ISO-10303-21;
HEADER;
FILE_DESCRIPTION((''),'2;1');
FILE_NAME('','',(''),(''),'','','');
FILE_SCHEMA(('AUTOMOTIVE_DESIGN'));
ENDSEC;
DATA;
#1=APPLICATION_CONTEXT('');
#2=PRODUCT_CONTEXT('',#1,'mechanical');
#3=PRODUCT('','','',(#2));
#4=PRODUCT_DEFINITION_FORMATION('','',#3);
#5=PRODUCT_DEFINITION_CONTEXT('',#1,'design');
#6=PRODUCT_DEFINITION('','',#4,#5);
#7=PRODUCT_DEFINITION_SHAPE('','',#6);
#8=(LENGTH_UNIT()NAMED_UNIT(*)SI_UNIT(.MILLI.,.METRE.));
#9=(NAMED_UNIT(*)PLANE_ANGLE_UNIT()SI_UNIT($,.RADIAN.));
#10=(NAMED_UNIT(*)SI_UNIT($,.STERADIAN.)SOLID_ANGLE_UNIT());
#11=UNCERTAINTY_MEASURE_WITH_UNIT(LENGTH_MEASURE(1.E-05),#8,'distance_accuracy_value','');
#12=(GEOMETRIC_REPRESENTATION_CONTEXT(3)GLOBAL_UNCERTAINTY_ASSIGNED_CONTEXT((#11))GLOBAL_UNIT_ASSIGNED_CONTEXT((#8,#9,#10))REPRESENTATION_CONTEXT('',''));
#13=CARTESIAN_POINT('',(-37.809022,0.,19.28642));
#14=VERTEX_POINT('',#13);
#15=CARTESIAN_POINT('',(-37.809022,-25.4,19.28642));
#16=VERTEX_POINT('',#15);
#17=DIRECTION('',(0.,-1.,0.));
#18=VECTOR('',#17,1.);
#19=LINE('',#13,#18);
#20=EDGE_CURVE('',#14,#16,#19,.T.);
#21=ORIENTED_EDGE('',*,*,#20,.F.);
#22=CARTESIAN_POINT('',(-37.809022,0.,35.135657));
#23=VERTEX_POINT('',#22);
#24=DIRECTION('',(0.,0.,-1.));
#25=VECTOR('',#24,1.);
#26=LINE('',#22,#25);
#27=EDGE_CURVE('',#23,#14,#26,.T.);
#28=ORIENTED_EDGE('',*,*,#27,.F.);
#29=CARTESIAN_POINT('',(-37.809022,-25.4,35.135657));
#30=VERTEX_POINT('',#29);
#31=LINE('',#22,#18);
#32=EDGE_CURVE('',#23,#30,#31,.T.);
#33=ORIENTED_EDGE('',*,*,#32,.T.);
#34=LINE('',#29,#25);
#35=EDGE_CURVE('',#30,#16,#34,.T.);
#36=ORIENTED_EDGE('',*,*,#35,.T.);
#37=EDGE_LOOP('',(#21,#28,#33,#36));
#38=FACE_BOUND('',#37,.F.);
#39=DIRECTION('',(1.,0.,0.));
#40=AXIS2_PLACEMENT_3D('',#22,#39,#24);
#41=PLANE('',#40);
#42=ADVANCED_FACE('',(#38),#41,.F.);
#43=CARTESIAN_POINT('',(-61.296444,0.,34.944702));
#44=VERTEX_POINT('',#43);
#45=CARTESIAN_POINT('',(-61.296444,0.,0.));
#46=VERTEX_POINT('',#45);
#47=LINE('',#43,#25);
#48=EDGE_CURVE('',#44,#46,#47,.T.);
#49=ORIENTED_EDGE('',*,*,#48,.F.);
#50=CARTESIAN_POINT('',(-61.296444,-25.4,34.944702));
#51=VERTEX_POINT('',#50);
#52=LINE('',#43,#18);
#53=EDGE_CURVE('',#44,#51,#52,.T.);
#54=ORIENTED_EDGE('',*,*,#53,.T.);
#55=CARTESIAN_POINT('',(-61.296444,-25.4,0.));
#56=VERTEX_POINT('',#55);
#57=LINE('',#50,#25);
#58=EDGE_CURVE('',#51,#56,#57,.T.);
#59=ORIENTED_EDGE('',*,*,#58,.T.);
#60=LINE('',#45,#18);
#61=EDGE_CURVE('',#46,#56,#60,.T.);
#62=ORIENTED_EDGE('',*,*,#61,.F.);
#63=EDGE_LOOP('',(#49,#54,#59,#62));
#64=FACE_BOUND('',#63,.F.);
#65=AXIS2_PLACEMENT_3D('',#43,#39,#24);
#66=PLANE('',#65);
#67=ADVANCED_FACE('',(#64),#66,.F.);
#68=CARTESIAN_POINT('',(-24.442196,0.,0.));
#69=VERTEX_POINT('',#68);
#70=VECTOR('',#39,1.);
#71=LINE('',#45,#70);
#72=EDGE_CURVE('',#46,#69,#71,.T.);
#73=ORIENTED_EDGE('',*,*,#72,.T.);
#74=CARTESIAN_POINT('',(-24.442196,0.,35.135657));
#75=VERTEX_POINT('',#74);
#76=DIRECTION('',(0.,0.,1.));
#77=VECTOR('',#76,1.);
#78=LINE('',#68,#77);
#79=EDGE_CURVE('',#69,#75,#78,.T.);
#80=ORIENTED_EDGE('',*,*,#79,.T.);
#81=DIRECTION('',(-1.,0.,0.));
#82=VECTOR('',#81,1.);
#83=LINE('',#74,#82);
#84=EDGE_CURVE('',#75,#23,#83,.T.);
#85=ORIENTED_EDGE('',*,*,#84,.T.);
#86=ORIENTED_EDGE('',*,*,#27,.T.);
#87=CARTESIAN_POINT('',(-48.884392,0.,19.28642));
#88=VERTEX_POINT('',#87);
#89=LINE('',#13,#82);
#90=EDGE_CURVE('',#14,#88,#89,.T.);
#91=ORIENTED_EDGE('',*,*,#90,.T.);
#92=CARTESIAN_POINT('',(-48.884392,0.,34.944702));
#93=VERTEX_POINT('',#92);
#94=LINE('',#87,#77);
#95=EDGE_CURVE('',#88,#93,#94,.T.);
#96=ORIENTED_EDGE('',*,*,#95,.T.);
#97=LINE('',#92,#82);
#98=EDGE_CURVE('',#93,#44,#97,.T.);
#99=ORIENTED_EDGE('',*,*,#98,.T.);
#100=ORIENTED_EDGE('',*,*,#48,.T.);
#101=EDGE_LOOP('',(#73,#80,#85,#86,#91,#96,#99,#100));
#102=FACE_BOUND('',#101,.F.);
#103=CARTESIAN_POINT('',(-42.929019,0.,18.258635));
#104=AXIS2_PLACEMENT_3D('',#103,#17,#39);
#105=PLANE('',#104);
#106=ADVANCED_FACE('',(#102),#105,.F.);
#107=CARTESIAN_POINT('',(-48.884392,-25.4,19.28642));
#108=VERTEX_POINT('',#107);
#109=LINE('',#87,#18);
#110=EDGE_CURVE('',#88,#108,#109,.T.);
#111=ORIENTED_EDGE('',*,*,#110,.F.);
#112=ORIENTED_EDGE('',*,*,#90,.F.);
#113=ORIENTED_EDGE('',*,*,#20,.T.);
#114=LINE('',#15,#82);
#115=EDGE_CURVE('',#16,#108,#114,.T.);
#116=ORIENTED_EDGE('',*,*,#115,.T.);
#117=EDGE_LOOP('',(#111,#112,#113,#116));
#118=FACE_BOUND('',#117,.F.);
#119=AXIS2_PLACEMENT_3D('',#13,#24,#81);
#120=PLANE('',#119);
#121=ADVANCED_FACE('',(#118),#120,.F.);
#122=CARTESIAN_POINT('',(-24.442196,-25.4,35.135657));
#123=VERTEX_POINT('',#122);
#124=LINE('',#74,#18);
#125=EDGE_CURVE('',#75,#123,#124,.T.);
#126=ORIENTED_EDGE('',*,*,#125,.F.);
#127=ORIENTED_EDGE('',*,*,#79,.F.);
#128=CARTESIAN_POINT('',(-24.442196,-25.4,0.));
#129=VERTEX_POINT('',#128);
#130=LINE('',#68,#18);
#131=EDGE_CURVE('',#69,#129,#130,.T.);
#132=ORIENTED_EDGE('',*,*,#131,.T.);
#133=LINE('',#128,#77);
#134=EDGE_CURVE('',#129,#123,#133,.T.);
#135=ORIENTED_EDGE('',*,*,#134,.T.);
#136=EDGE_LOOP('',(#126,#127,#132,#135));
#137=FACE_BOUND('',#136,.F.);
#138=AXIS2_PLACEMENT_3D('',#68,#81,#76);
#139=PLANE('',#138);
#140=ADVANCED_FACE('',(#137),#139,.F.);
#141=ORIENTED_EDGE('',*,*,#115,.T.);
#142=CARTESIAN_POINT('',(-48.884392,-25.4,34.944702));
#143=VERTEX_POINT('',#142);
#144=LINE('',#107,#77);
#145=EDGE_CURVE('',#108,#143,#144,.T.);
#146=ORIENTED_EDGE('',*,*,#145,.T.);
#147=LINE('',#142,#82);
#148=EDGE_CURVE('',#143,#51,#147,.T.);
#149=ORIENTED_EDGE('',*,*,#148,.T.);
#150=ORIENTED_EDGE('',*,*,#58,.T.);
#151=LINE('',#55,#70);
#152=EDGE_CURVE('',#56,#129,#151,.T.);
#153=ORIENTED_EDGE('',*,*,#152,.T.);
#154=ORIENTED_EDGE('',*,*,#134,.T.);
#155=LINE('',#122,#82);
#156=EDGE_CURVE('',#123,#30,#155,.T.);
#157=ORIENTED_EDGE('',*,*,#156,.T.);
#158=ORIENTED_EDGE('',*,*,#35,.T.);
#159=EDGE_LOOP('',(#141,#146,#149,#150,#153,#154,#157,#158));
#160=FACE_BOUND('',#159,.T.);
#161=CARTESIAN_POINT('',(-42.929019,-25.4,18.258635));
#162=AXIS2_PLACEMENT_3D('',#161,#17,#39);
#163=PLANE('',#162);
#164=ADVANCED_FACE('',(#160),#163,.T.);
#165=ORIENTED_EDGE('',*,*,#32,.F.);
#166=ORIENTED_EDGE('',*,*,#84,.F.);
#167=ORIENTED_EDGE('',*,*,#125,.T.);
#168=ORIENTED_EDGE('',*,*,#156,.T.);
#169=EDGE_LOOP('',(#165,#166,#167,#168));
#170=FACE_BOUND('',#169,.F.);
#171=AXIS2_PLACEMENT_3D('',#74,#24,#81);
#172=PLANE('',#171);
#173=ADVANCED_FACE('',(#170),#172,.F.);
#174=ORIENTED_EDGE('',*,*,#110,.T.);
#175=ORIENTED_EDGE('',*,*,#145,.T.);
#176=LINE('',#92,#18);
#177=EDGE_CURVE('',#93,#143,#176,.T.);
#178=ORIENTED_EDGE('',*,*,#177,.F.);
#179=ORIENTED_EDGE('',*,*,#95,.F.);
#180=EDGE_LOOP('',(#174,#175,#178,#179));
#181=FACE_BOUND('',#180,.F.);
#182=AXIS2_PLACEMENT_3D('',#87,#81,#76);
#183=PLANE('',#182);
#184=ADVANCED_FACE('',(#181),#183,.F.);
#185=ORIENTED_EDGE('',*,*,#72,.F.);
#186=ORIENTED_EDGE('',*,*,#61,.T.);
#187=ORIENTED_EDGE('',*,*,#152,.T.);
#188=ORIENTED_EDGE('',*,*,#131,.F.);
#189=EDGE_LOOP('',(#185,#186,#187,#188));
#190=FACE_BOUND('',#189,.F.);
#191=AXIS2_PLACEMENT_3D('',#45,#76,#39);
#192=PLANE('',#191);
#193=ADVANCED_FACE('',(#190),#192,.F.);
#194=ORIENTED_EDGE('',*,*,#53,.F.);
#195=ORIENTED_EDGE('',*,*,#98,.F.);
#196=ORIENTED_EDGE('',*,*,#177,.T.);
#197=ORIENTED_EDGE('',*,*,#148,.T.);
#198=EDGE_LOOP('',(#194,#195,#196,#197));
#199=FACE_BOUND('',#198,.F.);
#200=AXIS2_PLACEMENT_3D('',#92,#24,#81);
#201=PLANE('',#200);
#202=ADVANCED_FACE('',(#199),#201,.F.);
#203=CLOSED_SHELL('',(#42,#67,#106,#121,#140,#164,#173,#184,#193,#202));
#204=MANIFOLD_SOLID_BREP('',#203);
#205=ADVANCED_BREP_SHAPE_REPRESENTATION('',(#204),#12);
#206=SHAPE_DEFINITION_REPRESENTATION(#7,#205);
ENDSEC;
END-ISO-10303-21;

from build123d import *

# Parameters (mm, degrees)
F1_DEPTH = 25.4
F4_DEPTH = 25.4


with BuildPart() as f1:
    # F0 (on Front) → F1 (new body)
    with BuildSketch(Plane.XZ):
        Polygon((-51.1758476496, 56.7135326564), (-63.5878965259, 56.522578001), (-63.5878965259, 0), (-8.4020039067, 0), (-8.4020039067, 56.522578001), (-21.959785372, 56.522578001), (-21.959785372, 11.6482349113), (-51.1758476496, 11.6482349113), align=None)
    extrude(amount=F1_DEPTH)


with BuildPart() as f4:
    # F3 (on Front) → F4 (new body)
    with BuildSketch(Plane.XZ):
        Polygon((-61.2964443862, 34.9447019398), (-61.2964443862, 33.4170646966), (-61.2964443862, 0), (-24.4421958923, 0), (-24.4421958923, 35.1356565952), (-37.809021771, 35.1356565952), (-37.809021771, 19.2864201963), (-48.8843917847, 19.2864201963), (-48.8843917847, 34.9447019398), align=None)
    extrude(amount=F4_DEPTH)


solid = f4.part
